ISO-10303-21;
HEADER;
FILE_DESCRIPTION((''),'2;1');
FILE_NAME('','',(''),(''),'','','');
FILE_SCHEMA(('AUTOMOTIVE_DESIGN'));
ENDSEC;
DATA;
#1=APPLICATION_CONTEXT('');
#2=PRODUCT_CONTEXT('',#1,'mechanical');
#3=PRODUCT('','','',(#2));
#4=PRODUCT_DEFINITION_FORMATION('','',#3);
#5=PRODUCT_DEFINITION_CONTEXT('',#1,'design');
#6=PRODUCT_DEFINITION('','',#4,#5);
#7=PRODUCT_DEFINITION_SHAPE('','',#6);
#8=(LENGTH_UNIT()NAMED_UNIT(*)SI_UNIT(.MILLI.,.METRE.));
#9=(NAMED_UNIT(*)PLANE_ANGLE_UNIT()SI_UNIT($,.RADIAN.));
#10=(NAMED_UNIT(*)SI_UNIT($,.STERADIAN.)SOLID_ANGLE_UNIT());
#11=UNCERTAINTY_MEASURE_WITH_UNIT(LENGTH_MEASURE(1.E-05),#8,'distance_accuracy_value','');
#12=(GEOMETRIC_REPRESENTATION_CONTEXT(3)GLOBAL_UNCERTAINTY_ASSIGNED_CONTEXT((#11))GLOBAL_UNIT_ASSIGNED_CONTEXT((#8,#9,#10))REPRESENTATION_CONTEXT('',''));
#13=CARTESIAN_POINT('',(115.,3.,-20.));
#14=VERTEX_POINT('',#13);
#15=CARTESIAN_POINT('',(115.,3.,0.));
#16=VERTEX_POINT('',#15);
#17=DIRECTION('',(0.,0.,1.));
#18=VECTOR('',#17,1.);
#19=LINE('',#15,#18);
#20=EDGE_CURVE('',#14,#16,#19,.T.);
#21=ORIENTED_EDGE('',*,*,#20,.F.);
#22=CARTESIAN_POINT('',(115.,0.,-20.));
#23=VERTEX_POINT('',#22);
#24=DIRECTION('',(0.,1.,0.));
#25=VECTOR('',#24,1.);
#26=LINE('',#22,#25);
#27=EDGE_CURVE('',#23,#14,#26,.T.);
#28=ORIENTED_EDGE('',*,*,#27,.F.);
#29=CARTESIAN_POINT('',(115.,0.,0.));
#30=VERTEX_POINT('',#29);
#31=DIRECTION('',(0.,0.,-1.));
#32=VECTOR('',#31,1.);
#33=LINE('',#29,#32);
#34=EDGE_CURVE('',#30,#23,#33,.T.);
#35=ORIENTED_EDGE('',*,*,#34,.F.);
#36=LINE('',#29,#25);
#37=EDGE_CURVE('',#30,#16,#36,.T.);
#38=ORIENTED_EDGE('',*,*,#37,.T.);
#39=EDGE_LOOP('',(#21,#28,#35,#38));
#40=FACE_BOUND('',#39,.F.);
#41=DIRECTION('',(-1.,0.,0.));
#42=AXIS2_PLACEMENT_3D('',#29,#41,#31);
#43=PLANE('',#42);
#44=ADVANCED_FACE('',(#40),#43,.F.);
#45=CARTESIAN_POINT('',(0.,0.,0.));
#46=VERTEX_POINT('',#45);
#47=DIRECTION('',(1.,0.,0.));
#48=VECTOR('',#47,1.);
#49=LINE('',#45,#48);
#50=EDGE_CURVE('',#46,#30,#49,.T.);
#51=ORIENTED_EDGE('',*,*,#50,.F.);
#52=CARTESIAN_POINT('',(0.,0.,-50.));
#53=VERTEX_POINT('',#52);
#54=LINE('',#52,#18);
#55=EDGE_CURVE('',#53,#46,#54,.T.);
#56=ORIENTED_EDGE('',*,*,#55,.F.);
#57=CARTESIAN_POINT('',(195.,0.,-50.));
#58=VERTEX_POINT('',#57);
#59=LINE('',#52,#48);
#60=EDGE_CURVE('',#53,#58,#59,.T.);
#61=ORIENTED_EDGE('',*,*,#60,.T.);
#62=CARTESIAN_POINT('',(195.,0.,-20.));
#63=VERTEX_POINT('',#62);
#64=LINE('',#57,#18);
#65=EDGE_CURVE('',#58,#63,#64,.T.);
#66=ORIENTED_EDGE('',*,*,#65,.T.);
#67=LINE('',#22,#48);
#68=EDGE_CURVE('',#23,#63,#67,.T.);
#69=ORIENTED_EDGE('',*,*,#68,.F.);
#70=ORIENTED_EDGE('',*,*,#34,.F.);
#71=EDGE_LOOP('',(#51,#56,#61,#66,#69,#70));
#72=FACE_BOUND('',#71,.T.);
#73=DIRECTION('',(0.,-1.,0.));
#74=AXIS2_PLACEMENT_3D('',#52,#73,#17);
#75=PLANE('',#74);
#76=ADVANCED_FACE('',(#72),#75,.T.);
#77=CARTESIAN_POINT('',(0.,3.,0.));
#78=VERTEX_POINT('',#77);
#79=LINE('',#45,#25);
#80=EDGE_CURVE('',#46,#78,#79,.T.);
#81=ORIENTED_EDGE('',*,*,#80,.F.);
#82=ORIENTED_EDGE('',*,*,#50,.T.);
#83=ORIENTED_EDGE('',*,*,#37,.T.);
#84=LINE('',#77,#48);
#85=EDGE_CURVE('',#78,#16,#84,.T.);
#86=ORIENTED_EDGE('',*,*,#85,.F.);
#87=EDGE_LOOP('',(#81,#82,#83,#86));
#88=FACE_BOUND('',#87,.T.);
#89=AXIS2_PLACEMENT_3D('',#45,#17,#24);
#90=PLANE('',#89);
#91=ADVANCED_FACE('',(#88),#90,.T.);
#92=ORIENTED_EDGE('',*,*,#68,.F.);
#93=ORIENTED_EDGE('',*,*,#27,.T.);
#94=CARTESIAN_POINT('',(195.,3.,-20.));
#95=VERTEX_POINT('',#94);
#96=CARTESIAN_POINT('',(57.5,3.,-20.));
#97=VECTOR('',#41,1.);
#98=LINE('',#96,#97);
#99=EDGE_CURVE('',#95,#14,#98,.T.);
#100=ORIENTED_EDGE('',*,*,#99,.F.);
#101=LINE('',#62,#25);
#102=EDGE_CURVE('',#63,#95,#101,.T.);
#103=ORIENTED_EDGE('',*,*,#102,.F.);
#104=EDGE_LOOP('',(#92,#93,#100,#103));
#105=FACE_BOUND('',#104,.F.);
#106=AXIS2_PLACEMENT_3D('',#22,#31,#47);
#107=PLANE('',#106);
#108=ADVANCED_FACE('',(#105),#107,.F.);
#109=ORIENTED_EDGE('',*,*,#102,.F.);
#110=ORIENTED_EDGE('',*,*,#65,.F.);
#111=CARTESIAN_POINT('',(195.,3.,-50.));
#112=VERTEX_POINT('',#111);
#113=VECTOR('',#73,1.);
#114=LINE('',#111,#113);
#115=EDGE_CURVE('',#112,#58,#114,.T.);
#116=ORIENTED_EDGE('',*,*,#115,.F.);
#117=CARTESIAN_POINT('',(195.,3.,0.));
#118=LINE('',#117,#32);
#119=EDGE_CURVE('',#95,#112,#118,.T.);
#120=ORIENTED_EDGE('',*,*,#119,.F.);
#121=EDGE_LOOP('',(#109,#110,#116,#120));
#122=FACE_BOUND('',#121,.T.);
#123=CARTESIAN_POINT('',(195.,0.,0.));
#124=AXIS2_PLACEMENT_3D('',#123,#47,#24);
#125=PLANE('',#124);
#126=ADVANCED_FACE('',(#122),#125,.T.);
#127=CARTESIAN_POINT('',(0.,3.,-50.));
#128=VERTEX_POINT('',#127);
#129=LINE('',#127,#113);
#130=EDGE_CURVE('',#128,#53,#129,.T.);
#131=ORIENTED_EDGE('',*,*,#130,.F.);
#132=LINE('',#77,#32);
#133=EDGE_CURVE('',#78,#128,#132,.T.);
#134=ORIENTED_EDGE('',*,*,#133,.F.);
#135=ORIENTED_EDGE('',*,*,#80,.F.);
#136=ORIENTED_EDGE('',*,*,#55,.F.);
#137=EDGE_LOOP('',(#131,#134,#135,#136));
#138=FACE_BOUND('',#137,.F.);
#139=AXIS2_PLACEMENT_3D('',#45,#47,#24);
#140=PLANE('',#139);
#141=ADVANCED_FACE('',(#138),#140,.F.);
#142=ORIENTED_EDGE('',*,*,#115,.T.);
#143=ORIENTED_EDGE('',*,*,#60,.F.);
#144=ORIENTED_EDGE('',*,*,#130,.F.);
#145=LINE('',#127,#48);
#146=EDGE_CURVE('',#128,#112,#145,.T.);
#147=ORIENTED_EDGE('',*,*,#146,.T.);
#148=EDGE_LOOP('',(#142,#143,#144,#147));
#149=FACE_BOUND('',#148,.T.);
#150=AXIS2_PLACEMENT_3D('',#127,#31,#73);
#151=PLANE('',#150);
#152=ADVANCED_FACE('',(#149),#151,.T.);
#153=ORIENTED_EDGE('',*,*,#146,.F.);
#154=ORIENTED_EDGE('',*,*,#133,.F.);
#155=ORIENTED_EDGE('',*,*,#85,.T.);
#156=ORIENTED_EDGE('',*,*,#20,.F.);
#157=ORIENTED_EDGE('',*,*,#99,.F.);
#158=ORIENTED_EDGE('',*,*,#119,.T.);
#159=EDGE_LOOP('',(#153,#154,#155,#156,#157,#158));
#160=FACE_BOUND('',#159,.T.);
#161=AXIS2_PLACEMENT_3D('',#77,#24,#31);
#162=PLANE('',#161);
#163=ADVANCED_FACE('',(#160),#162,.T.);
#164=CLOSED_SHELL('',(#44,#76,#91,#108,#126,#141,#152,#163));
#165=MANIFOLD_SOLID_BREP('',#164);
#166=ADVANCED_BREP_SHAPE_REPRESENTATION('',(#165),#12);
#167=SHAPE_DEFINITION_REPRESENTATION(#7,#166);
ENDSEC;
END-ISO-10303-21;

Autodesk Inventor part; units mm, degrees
ref_plane "YZ Plane" through (0, 0, 0) normal (1, 0, 0) x (0, 1, 0)
ref_plane "XZ Plane" through (0, 0, 0) normal (0, 1, 0) x (-1, 0, 0)
ref_plane "XY Plane" through (0, 0, 0) normal (0, 0, 1) x (1, 0, 0)
sketch "Sketch1" plane through (0, 0, 0) normal (1, 0, 0) x (0, 1, 0)
  line L0 (0, 0) -> (3, 0)
  line L1 (3, 0) -> (3, -50)
  line L2 (3, -50) -> (0, -50)
  line L3 (0, -50) -> (0, 0)
  dimension "d0" = 3
  dimension "d1" = 50
extrude "Extrusion1" add sketch "Sketch1" along normal blind 195
sketch "Sketch2" plane through (0, 0, -50) normal (0, -1, 0) x (1, 0, 0)
  line L0 (0, 50) -> (195, 50) projected
  line L1 (195, 50) -> (115, 50)
  line L2 (115, 50) -> (115, 30)
  line L3 (115, 30) -> (195, 30)
  line L4 (195, 30) -> (195, 50)
  dimension "d4" = 80
  dimension "d5" = 20
extrude "Extrusion2" cut sketch "Sketch2" against normal blind 195
properties part number "P409" material "Aluminum 6061"
